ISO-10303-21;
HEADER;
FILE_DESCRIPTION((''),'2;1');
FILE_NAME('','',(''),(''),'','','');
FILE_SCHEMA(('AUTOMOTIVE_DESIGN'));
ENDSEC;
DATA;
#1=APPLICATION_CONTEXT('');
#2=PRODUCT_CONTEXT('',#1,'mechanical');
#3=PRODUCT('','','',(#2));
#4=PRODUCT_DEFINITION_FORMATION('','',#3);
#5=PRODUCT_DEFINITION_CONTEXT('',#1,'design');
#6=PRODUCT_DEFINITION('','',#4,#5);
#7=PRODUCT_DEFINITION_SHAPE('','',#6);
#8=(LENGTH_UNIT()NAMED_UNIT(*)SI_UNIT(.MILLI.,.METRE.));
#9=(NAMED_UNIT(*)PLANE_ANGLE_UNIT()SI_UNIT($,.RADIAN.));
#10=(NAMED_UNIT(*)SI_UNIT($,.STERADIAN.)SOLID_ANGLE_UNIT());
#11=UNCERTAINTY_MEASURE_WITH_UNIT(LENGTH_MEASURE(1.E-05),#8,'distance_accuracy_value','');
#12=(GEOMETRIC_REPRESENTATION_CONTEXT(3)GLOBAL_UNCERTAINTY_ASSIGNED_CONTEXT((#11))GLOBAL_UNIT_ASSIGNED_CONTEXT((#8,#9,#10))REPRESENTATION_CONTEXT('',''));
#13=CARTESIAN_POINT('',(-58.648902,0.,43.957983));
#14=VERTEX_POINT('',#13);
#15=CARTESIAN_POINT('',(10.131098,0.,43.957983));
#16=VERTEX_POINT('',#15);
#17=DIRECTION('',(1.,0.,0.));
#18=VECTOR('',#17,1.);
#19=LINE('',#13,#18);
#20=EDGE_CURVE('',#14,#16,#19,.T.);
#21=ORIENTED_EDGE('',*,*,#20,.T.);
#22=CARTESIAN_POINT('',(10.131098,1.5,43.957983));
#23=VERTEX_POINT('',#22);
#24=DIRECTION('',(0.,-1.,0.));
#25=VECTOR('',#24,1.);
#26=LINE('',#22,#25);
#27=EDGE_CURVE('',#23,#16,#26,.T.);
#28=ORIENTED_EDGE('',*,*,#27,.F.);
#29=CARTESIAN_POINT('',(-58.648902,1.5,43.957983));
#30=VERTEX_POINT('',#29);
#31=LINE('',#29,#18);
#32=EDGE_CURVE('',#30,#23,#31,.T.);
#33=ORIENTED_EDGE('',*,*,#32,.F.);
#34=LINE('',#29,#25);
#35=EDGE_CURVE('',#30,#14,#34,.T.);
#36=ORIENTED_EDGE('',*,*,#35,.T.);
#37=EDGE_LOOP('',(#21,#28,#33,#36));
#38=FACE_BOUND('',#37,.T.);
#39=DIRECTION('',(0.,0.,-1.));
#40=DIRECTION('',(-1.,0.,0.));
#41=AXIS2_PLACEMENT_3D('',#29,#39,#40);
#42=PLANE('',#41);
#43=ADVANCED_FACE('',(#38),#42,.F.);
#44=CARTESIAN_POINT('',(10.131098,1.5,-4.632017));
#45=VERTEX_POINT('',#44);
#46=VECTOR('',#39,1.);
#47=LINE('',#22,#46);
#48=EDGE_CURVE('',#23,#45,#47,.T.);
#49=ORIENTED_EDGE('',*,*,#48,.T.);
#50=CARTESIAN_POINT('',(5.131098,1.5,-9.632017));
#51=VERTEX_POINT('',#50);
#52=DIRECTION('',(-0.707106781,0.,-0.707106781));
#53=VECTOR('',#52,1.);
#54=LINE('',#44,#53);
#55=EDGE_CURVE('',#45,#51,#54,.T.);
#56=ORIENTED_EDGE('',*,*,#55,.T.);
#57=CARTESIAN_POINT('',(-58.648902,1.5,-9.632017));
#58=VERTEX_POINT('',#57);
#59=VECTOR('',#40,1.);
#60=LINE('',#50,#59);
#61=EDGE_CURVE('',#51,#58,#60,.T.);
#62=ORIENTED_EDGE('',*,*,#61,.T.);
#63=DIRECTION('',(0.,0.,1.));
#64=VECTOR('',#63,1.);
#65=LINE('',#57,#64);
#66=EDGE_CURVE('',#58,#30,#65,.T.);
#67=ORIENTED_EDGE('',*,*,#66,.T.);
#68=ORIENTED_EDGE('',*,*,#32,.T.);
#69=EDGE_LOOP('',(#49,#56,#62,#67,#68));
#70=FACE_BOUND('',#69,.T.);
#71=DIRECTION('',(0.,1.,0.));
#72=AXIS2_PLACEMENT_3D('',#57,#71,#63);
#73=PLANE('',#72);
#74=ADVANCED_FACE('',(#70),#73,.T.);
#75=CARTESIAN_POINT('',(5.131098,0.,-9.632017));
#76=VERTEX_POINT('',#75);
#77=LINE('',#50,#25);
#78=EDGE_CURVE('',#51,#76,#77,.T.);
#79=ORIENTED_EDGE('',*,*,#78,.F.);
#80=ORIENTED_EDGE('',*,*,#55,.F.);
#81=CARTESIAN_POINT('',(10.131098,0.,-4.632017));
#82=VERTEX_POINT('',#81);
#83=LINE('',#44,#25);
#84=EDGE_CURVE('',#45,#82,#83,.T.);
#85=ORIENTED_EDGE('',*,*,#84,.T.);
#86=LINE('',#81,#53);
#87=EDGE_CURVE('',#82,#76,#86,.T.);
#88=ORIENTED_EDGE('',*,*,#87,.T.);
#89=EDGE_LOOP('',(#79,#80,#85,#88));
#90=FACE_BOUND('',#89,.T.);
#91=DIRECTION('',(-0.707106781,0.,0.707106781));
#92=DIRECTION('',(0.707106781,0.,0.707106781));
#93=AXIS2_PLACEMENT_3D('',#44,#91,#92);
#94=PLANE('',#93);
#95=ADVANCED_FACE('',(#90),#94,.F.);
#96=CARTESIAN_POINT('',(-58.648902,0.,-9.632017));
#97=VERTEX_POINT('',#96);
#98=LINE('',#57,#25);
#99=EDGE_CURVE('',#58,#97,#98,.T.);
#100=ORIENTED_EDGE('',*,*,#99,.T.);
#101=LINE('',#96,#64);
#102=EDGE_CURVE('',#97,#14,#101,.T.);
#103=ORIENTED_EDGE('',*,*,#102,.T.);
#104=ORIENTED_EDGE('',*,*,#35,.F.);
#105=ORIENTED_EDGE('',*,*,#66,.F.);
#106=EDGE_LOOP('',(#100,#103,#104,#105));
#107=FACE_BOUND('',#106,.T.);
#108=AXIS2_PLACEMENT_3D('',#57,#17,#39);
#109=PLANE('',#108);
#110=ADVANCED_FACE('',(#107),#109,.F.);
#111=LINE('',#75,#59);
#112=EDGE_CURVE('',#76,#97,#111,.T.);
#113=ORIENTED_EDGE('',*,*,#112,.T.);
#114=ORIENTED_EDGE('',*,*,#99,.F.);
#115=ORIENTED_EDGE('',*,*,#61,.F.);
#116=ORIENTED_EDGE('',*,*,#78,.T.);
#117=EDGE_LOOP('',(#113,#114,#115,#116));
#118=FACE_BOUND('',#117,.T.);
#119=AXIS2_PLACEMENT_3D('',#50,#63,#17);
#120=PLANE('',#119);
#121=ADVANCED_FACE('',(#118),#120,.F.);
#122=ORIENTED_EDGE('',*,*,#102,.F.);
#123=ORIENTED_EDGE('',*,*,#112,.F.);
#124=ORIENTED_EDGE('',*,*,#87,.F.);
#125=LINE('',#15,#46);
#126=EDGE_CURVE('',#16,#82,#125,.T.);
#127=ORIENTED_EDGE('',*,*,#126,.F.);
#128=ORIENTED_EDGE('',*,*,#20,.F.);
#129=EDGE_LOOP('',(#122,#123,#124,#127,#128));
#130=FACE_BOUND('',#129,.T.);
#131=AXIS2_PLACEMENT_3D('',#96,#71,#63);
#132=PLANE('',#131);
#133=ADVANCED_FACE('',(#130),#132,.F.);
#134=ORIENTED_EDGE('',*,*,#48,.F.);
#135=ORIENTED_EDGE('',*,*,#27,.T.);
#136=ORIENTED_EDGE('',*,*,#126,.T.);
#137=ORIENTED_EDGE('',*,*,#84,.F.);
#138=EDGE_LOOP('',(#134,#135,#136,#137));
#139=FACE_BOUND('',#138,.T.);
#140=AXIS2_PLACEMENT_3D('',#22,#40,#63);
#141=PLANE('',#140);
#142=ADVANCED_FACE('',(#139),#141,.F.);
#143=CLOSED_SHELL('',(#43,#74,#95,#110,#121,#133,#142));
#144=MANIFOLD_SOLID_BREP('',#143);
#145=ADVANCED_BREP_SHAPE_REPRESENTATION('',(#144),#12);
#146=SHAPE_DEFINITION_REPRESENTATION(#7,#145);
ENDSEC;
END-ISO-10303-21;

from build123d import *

# Parameters (mm, degrees)
BOSS_EXTRUDE1_DEPTH = 1.5


with BuildPart() as part:
    # Sketch1 → Boss-Extrude1 (new body)
    with BuildSketch(Plane(origin=(0, 0, 0), x_dir=(1, 0, 0), z_dir=(0, 1, 0))):
        Polygon((-58.648901605, 9.632016997), (-58.648901605, -43.957983003), (10.131098395, -43.957983003), (10.131098395, 4.632016997), (5.131098395, 9.632016997), align=None)
    extrude(amount=BOSS_EXTRUDE1_DEPTH)


solid = part.part
